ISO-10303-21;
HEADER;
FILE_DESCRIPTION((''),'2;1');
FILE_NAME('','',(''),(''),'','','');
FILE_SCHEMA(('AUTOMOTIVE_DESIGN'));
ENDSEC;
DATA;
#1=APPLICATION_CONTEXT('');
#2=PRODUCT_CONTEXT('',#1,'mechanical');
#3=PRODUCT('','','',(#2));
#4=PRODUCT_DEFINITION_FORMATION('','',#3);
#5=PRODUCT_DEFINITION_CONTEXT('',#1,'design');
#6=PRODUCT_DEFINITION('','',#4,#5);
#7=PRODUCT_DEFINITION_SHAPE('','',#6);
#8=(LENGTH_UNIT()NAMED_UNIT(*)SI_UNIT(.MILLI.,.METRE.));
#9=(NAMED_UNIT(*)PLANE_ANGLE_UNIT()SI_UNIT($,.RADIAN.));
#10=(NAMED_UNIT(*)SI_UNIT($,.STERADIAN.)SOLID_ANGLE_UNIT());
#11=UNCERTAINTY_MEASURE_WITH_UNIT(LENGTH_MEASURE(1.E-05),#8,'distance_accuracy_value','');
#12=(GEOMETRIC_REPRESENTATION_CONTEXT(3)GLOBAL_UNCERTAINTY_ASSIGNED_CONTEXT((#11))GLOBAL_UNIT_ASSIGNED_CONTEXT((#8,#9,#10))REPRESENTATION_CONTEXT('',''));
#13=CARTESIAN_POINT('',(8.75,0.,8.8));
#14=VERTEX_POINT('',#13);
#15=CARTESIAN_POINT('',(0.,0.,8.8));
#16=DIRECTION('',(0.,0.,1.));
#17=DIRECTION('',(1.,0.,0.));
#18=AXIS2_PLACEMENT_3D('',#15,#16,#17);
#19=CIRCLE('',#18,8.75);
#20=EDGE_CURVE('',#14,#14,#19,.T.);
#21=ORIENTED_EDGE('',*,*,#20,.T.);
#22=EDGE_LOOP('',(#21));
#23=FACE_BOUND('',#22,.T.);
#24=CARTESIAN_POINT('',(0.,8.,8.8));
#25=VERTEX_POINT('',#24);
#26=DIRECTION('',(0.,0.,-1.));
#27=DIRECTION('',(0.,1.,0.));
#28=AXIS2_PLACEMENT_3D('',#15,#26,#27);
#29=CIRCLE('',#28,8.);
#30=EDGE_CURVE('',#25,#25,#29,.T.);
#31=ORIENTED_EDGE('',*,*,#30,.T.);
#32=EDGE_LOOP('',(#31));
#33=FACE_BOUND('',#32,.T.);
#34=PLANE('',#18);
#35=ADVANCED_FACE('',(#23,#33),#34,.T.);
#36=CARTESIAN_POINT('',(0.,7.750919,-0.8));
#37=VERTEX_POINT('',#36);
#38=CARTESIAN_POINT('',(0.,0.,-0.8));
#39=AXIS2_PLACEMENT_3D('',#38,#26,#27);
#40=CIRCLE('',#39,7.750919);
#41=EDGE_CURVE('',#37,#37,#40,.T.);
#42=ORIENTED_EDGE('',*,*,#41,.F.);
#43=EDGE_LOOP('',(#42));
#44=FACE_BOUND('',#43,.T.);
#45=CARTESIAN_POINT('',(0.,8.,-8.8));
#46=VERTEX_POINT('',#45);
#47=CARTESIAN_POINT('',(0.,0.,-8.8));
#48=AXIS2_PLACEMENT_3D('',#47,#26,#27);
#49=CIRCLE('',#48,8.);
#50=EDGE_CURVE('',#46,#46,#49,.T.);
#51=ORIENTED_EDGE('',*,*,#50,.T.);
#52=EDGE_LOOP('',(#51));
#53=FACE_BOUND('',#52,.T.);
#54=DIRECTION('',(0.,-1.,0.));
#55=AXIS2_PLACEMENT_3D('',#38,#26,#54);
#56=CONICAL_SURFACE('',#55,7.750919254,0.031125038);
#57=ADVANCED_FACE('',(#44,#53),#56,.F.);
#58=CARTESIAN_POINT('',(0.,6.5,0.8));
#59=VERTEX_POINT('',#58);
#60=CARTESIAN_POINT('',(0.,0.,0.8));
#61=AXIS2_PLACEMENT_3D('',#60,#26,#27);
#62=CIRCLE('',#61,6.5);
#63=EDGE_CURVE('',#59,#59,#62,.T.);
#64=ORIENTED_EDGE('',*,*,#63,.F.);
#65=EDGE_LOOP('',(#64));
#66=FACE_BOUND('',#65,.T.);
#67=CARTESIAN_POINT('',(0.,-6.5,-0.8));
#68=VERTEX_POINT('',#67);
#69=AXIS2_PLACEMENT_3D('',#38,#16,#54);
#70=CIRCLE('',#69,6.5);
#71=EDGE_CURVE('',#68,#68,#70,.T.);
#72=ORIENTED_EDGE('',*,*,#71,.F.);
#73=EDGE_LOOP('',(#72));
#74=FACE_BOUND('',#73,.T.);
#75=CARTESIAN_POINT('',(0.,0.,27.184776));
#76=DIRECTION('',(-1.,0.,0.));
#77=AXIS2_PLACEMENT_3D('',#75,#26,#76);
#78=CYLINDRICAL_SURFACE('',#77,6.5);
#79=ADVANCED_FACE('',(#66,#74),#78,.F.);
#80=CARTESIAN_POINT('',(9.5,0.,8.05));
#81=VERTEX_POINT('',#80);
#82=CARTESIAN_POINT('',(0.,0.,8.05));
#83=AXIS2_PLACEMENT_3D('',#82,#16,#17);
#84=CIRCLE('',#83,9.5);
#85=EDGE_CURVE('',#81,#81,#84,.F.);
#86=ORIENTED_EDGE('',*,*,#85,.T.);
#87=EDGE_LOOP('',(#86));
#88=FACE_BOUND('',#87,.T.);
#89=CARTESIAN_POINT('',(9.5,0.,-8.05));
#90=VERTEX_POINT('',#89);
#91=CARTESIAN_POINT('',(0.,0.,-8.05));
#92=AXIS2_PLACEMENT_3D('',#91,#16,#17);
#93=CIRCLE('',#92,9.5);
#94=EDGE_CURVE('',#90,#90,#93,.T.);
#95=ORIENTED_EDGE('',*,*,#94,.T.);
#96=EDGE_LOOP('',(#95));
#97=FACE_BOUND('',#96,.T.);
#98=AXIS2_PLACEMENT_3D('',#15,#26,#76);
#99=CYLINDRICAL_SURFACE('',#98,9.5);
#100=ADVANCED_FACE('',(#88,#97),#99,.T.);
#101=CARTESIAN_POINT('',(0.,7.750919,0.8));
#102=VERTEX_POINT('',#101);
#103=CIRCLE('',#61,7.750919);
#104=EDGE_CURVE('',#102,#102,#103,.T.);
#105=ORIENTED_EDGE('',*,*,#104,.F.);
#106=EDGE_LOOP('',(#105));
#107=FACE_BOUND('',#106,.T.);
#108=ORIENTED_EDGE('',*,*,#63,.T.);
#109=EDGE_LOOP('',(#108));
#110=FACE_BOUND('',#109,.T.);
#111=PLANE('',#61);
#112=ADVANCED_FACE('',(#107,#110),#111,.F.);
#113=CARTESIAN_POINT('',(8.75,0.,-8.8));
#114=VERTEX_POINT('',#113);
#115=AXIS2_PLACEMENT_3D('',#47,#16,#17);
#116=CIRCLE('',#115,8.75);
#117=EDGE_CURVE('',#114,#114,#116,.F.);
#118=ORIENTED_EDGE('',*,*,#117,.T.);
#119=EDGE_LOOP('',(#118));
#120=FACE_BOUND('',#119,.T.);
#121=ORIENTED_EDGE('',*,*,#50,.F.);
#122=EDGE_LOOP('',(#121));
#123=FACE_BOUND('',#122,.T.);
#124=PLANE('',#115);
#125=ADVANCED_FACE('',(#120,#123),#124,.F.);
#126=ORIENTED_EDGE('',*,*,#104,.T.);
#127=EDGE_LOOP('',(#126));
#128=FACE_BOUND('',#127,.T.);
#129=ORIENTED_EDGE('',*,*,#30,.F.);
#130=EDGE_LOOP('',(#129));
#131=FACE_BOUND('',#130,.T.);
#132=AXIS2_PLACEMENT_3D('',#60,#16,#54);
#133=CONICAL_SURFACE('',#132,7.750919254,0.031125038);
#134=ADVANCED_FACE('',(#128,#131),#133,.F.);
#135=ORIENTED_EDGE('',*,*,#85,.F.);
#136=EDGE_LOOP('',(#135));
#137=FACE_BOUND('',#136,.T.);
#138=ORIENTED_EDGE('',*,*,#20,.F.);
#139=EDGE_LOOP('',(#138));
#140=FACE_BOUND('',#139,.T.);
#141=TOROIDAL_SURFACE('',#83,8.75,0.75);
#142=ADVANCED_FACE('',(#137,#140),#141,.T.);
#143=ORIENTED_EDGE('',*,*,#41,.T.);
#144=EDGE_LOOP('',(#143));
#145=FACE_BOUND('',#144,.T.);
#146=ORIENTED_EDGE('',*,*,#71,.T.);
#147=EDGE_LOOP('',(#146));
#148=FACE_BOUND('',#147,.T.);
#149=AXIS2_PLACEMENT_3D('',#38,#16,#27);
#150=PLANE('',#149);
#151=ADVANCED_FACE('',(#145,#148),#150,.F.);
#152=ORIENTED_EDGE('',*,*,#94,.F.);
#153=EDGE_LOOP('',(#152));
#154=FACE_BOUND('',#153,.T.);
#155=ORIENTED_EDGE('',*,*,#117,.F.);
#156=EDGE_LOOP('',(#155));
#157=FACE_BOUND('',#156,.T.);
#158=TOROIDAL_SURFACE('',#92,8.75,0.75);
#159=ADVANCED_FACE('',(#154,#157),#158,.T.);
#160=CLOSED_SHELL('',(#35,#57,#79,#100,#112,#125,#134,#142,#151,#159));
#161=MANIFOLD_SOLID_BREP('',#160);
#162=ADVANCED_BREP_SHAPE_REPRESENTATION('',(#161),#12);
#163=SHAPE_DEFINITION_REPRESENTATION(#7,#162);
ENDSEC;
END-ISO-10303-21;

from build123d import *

# Parameters (mm, degrees)
BODYSCH_R  = 9.5
BODY_DEPTH = 8.8
FLOWSCH_R  = 6.5
FLOW_DEPTH = 17.6
FILLET1_R  = 0.75


with BuildPart() as part:
    # BodySch → Body (new, symmetric)
    with BuildSketch(Plane.XY):
        Circle(BODYSCH_R)
    extrude(amount=BODY_DEPTH, both=True)

    # FlowSch → Flow (cut)
    with BuildSketch(Plane.XY.offset(-8.8)):
        Circle(FLOWSCH_R)
    extrude(amount=FLOW_DEPTH, mode=Mode.SUBTRACT)

    # ThreadSch → Thread (revolve, cut)
    with BuildSketch(Plane(origin=(0, 0, 0), x_dir=(0, 0, -1), z_dir=(1, 0, 0))):
        Polygon((-0.8, 0), (-0.8, 7.750919254), (-8.8, 8), (-8.8, 0), align=None)
    thread = revolve(axis=Axis((0, 0, 0), (0, 0, 1)), mode=Mode.SUBTRACT)

    # Fillet1
    fillet1_edges = [part.edges().sort_by_distance(p)[0] for p in [
        (-9.5, 0, -8.8),
        (-9.5, 0, 8.8),
    ]]
    fillet(fillet1_edges, radius=FILLET1_R)

    # Mirror1: Thread across plane
    add(thread.mirror(Plane.XY), mode=Mode.SUBTRACT)


solid = part.part
